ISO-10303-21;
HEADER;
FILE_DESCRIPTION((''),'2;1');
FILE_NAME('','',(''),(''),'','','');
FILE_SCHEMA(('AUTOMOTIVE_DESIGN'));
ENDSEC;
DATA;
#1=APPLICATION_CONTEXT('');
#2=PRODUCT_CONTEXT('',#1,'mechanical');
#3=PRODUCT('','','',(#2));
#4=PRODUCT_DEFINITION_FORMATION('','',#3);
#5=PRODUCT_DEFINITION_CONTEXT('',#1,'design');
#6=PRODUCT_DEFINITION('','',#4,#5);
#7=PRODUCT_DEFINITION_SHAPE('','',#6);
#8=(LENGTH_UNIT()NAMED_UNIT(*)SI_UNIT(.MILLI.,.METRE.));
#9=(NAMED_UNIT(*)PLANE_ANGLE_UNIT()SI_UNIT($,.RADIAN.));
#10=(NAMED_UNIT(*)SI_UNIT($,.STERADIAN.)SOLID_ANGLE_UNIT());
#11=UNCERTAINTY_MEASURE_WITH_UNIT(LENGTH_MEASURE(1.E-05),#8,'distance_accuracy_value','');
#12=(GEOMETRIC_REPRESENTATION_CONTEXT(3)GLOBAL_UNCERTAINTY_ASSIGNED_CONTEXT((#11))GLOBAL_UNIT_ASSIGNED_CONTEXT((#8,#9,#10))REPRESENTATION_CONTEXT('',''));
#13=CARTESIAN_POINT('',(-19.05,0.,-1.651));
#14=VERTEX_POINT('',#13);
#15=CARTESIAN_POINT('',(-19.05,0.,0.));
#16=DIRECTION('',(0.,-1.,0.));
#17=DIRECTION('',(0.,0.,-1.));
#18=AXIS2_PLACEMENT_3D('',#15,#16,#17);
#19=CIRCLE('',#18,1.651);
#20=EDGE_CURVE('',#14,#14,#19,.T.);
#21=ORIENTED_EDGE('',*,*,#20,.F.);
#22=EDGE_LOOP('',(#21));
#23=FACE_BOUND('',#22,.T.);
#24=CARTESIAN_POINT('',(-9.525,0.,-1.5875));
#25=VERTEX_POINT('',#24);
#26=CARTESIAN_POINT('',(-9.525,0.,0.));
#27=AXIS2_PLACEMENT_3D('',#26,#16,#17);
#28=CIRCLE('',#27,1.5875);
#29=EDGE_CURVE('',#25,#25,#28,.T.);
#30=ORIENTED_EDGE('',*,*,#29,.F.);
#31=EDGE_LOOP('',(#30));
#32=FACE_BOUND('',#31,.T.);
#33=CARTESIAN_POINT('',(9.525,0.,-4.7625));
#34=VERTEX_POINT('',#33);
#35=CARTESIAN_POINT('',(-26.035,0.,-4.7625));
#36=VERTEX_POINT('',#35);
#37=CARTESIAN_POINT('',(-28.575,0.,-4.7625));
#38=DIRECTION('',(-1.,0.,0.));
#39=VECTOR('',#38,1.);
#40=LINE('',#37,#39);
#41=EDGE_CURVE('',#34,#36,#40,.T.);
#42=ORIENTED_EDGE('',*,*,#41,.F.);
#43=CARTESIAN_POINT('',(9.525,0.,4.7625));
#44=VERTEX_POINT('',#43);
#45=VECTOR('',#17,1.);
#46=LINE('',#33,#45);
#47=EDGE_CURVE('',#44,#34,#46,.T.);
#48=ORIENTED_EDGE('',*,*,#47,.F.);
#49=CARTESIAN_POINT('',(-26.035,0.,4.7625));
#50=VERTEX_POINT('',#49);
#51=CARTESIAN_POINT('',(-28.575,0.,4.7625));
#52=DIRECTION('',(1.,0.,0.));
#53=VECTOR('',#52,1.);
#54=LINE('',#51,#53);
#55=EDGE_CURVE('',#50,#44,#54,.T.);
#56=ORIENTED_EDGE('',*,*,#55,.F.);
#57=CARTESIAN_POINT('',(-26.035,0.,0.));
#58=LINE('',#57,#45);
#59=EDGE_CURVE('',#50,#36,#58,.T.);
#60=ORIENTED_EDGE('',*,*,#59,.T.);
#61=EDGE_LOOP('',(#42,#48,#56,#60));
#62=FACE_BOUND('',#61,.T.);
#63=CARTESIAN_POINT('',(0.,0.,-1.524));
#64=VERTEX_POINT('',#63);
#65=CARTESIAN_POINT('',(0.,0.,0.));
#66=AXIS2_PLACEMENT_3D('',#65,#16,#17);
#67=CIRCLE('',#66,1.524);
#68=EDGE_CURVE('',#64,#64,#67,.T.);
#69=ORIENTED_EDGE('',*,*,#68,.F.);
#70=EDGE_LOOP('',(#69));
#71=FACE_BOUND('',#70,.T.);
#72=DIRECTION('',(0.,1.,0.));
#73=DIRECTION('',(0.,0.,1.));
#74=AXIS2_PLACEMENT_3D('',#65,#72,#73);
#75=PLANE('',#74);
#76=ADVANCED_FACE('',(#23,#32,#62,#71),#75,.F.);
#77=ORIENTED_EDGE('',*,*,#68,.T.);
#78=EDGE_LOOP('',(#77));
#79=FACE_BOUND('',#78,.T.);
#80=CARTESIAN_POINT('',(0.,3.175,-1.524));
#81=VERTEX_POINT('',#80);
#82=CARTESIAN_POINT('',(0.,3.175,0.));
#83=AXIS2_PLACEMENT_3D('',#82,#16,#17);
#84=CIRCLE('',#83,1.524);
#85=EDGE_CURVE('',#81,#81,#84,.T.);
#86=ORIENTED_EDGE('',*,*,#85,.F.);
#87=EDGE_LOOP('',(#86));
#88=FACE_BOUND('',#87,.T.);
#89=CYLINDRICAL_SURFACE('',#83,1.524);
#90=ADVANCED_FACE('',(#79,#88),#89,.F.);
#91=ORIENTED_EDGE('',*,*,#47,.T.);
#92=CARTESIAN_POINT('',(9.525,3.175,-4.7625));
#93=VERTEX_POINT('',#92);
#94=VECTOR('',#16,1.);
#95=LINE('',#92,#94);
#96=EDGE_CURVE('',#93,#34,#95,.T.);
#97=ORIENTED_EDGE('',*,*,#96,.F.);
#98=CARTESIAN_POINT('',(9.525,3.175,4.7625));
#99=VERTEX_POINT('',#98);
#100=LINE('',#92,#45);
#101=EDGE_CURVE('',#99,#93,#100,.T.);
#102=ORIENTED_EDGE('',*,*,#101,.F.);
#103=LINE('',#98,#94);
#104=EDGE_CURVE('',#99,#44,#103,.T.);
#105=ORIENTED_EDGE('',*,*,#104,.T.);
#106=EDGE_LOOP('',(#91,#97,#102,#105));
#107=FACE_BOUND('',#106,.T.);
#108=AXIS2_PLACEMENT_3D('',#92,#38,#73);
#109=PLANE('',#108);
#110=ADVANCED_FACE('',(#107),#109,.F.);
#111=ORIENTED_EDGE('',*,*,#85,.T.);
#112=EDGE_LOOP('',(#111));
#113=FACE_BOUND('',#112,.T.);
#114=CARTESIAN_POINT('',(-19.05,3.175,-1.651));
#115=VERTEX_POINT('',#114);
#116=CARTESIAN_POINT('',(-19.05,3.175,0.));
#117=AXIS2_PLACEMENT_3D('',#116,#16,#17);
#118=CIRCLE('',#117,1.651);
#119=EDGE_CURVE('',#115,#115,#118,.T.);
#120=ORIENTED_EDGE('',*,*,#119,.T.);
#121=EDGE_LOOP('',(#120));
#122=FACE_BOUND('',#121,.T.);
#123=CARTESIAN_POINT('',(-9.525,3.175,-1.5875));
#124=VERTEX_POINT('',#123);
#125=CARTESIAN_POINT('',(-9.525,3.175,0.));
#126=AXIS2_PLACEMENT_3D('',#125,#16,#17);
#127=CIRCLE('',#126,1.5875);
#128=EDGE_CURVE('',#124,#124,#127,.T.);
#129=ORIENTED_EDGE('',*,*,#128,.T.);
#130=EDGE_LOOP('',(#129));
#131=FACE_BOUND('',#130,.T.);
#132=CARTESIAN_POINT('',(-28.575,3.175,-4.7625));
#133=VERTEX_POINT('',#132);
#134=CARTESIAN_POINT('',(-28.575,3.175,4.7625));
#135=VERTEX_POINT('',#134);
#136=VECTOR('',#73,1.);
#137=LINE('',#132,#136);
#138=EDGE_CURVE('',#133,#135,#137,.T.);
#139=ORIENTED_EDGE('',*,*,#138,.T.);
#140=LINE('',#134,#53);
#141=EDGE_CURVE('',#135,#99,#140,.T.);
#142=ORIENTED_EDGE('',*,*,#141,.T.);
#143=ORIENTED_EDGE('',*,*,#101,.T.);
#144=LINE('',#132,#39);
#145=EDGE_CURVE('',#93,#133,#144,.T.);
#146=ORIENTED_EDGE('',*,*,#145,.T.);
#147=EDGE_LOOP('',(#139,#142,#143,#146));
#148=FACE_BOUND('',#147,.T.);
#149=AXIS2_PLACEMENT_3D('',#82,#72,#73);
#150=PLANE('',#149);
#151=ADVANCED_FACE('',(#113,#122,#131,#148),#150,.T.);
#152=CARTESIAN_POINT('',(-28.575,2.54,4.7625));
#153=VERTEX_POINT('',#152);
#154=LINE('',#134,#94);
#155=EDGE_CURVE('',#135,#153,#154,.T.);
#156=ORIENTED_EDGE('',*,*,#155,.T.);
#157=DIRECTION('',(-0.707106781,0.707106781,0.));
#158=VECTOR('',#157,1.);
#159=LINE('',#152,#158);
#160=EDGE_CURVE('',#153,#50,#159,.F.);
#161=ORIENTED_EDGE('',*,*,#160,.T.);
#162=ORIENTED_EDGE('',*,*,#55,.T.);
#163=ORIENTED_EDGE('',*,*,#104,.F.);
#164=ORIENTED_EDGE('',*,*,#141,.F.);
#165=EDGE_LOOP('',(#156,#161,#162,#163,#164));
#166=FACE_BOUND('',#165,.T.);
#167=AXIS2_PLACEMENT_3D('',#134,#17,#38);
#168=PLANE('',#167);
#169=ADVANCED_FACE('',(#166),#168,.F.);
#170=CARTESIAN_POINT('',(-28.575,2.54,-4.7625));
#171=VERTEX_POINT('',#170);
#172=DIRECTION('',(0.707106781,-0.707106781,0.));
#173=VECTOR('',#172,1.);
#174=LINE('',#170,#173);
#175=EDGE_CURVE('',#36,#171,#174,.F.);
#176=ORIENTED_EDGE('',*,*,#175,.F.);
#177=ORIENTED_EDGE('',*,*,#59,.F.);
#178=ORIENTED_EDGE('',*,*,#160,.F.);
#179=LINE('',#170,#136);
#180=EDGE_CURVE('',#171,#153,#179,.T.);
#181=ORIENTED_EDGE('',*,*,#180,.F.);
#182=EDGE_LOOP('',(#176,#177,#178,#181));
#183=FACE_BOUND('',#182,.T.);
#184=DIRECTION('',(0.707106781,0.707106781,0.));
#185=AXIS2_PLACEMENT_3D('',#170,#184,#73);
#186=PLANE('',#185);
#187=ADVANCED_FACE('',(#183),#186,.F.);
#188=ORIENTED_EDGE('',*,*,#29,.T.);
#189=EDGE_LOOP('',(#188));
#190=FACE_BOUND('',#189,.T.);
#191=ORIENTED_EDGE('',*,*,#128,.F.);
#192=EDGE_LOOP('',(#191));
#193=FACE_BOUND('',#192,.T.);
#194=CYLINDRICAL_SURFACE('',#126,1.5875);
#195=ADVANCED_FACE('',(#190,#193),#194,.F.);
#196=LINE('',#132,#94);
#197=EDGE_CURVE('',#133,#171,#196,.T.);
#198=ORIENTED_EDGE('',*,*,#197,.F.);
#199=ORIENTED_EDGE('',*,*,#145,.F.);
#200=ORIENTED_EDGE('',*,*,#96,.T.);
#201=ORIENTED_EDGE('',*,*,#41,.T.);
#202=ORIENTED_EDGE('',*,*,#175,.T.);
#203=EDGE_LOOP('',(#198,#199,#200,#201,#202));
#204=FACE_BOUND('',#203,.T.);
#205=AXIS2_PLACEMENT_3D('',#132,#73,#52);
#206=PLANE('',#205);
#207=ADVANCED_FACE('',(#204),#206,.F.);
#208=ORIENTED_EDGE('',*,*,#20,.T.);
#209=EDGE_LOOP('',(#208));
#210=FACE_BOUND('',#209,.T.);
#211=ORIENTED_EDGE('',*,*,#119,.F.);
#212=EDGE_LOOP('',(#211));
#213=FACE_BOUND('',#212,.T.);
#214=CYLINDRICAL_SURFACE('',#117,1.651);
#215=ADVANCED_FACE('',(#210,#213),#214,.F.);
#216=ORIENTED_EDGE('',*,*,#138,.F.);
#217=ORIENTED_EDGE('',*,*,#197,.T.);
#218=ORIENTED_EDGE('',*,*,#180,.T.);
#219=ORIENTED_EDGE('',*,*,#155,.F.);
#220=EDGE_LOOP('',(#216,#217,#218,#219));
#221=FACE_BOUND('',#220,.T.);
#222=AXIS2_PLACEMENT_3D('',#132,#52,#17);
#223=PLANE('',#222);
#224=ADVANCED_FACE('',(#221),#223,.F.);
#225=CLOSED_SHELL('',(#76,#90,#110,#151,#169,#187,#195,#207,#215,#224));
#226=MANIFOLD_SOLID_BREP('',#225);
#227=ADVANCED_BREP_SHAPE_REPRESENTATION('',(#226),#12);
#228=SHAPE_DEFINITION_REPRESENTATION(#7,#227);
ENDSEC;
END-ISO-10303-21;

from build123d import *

# Parameters (mm, degrees)
SKETCH1_W           = 38.1
SKETCH1_H           = 9.525
BOSS_EXTRUDE1_DEPTH = 3.175
SKETCH2_R           = 1.651
SKETCH2_R_2         = 1.5875
SKETCH2_R_3         = 1.524
CUT_EXTRUDE1_DEPTH  = 30.142626104
CHAMFER1_SIZE       = 2.54


with BuildPart() as part:
    # Sketch1 → Boss-Extrude1 (new body)
    with BuildSketch(Plane(origin=(0, 0, 0), x_dir=(1, 0, 0), z_dir=(0, 1, 0))):
        with Locations((-9.525, 0)):
            Rectangle(SKETCH1_W, SKETCH1_H)
    extrude(amount=BOSS_EXTRUDE1_DEPTH)

    # Sketch2 → Cut-Extrude1 (cut, through all)
    with BuildSketch(Plane.XZ):
        with Locations(Location((-19.05, 0, 0), (0, 0, 270))):
            Circle(SKETCH2_R)
        with Locations(Location((-9.525, 0, 0), (0, 0, 270))):
            Circle(SKETCH2_R_2)
        with Locations(Location((0, 0, 0), (0, 0, 270))):
            Circle(SKETCH2_R_3)
    extrude(amount=-CUT_EXTRUDE1_DEPTH, mode=Mode.SUBTRACT)

    # Chamfer1
    chamfer1_edges = [part.edges().sort_by_distance(p)[0] for p in [
        (-28.575, 0, 0),
    ]]
    chamfer(chamfer1_edges, length=CHAMFER1_SIZE)


solid = part.part
